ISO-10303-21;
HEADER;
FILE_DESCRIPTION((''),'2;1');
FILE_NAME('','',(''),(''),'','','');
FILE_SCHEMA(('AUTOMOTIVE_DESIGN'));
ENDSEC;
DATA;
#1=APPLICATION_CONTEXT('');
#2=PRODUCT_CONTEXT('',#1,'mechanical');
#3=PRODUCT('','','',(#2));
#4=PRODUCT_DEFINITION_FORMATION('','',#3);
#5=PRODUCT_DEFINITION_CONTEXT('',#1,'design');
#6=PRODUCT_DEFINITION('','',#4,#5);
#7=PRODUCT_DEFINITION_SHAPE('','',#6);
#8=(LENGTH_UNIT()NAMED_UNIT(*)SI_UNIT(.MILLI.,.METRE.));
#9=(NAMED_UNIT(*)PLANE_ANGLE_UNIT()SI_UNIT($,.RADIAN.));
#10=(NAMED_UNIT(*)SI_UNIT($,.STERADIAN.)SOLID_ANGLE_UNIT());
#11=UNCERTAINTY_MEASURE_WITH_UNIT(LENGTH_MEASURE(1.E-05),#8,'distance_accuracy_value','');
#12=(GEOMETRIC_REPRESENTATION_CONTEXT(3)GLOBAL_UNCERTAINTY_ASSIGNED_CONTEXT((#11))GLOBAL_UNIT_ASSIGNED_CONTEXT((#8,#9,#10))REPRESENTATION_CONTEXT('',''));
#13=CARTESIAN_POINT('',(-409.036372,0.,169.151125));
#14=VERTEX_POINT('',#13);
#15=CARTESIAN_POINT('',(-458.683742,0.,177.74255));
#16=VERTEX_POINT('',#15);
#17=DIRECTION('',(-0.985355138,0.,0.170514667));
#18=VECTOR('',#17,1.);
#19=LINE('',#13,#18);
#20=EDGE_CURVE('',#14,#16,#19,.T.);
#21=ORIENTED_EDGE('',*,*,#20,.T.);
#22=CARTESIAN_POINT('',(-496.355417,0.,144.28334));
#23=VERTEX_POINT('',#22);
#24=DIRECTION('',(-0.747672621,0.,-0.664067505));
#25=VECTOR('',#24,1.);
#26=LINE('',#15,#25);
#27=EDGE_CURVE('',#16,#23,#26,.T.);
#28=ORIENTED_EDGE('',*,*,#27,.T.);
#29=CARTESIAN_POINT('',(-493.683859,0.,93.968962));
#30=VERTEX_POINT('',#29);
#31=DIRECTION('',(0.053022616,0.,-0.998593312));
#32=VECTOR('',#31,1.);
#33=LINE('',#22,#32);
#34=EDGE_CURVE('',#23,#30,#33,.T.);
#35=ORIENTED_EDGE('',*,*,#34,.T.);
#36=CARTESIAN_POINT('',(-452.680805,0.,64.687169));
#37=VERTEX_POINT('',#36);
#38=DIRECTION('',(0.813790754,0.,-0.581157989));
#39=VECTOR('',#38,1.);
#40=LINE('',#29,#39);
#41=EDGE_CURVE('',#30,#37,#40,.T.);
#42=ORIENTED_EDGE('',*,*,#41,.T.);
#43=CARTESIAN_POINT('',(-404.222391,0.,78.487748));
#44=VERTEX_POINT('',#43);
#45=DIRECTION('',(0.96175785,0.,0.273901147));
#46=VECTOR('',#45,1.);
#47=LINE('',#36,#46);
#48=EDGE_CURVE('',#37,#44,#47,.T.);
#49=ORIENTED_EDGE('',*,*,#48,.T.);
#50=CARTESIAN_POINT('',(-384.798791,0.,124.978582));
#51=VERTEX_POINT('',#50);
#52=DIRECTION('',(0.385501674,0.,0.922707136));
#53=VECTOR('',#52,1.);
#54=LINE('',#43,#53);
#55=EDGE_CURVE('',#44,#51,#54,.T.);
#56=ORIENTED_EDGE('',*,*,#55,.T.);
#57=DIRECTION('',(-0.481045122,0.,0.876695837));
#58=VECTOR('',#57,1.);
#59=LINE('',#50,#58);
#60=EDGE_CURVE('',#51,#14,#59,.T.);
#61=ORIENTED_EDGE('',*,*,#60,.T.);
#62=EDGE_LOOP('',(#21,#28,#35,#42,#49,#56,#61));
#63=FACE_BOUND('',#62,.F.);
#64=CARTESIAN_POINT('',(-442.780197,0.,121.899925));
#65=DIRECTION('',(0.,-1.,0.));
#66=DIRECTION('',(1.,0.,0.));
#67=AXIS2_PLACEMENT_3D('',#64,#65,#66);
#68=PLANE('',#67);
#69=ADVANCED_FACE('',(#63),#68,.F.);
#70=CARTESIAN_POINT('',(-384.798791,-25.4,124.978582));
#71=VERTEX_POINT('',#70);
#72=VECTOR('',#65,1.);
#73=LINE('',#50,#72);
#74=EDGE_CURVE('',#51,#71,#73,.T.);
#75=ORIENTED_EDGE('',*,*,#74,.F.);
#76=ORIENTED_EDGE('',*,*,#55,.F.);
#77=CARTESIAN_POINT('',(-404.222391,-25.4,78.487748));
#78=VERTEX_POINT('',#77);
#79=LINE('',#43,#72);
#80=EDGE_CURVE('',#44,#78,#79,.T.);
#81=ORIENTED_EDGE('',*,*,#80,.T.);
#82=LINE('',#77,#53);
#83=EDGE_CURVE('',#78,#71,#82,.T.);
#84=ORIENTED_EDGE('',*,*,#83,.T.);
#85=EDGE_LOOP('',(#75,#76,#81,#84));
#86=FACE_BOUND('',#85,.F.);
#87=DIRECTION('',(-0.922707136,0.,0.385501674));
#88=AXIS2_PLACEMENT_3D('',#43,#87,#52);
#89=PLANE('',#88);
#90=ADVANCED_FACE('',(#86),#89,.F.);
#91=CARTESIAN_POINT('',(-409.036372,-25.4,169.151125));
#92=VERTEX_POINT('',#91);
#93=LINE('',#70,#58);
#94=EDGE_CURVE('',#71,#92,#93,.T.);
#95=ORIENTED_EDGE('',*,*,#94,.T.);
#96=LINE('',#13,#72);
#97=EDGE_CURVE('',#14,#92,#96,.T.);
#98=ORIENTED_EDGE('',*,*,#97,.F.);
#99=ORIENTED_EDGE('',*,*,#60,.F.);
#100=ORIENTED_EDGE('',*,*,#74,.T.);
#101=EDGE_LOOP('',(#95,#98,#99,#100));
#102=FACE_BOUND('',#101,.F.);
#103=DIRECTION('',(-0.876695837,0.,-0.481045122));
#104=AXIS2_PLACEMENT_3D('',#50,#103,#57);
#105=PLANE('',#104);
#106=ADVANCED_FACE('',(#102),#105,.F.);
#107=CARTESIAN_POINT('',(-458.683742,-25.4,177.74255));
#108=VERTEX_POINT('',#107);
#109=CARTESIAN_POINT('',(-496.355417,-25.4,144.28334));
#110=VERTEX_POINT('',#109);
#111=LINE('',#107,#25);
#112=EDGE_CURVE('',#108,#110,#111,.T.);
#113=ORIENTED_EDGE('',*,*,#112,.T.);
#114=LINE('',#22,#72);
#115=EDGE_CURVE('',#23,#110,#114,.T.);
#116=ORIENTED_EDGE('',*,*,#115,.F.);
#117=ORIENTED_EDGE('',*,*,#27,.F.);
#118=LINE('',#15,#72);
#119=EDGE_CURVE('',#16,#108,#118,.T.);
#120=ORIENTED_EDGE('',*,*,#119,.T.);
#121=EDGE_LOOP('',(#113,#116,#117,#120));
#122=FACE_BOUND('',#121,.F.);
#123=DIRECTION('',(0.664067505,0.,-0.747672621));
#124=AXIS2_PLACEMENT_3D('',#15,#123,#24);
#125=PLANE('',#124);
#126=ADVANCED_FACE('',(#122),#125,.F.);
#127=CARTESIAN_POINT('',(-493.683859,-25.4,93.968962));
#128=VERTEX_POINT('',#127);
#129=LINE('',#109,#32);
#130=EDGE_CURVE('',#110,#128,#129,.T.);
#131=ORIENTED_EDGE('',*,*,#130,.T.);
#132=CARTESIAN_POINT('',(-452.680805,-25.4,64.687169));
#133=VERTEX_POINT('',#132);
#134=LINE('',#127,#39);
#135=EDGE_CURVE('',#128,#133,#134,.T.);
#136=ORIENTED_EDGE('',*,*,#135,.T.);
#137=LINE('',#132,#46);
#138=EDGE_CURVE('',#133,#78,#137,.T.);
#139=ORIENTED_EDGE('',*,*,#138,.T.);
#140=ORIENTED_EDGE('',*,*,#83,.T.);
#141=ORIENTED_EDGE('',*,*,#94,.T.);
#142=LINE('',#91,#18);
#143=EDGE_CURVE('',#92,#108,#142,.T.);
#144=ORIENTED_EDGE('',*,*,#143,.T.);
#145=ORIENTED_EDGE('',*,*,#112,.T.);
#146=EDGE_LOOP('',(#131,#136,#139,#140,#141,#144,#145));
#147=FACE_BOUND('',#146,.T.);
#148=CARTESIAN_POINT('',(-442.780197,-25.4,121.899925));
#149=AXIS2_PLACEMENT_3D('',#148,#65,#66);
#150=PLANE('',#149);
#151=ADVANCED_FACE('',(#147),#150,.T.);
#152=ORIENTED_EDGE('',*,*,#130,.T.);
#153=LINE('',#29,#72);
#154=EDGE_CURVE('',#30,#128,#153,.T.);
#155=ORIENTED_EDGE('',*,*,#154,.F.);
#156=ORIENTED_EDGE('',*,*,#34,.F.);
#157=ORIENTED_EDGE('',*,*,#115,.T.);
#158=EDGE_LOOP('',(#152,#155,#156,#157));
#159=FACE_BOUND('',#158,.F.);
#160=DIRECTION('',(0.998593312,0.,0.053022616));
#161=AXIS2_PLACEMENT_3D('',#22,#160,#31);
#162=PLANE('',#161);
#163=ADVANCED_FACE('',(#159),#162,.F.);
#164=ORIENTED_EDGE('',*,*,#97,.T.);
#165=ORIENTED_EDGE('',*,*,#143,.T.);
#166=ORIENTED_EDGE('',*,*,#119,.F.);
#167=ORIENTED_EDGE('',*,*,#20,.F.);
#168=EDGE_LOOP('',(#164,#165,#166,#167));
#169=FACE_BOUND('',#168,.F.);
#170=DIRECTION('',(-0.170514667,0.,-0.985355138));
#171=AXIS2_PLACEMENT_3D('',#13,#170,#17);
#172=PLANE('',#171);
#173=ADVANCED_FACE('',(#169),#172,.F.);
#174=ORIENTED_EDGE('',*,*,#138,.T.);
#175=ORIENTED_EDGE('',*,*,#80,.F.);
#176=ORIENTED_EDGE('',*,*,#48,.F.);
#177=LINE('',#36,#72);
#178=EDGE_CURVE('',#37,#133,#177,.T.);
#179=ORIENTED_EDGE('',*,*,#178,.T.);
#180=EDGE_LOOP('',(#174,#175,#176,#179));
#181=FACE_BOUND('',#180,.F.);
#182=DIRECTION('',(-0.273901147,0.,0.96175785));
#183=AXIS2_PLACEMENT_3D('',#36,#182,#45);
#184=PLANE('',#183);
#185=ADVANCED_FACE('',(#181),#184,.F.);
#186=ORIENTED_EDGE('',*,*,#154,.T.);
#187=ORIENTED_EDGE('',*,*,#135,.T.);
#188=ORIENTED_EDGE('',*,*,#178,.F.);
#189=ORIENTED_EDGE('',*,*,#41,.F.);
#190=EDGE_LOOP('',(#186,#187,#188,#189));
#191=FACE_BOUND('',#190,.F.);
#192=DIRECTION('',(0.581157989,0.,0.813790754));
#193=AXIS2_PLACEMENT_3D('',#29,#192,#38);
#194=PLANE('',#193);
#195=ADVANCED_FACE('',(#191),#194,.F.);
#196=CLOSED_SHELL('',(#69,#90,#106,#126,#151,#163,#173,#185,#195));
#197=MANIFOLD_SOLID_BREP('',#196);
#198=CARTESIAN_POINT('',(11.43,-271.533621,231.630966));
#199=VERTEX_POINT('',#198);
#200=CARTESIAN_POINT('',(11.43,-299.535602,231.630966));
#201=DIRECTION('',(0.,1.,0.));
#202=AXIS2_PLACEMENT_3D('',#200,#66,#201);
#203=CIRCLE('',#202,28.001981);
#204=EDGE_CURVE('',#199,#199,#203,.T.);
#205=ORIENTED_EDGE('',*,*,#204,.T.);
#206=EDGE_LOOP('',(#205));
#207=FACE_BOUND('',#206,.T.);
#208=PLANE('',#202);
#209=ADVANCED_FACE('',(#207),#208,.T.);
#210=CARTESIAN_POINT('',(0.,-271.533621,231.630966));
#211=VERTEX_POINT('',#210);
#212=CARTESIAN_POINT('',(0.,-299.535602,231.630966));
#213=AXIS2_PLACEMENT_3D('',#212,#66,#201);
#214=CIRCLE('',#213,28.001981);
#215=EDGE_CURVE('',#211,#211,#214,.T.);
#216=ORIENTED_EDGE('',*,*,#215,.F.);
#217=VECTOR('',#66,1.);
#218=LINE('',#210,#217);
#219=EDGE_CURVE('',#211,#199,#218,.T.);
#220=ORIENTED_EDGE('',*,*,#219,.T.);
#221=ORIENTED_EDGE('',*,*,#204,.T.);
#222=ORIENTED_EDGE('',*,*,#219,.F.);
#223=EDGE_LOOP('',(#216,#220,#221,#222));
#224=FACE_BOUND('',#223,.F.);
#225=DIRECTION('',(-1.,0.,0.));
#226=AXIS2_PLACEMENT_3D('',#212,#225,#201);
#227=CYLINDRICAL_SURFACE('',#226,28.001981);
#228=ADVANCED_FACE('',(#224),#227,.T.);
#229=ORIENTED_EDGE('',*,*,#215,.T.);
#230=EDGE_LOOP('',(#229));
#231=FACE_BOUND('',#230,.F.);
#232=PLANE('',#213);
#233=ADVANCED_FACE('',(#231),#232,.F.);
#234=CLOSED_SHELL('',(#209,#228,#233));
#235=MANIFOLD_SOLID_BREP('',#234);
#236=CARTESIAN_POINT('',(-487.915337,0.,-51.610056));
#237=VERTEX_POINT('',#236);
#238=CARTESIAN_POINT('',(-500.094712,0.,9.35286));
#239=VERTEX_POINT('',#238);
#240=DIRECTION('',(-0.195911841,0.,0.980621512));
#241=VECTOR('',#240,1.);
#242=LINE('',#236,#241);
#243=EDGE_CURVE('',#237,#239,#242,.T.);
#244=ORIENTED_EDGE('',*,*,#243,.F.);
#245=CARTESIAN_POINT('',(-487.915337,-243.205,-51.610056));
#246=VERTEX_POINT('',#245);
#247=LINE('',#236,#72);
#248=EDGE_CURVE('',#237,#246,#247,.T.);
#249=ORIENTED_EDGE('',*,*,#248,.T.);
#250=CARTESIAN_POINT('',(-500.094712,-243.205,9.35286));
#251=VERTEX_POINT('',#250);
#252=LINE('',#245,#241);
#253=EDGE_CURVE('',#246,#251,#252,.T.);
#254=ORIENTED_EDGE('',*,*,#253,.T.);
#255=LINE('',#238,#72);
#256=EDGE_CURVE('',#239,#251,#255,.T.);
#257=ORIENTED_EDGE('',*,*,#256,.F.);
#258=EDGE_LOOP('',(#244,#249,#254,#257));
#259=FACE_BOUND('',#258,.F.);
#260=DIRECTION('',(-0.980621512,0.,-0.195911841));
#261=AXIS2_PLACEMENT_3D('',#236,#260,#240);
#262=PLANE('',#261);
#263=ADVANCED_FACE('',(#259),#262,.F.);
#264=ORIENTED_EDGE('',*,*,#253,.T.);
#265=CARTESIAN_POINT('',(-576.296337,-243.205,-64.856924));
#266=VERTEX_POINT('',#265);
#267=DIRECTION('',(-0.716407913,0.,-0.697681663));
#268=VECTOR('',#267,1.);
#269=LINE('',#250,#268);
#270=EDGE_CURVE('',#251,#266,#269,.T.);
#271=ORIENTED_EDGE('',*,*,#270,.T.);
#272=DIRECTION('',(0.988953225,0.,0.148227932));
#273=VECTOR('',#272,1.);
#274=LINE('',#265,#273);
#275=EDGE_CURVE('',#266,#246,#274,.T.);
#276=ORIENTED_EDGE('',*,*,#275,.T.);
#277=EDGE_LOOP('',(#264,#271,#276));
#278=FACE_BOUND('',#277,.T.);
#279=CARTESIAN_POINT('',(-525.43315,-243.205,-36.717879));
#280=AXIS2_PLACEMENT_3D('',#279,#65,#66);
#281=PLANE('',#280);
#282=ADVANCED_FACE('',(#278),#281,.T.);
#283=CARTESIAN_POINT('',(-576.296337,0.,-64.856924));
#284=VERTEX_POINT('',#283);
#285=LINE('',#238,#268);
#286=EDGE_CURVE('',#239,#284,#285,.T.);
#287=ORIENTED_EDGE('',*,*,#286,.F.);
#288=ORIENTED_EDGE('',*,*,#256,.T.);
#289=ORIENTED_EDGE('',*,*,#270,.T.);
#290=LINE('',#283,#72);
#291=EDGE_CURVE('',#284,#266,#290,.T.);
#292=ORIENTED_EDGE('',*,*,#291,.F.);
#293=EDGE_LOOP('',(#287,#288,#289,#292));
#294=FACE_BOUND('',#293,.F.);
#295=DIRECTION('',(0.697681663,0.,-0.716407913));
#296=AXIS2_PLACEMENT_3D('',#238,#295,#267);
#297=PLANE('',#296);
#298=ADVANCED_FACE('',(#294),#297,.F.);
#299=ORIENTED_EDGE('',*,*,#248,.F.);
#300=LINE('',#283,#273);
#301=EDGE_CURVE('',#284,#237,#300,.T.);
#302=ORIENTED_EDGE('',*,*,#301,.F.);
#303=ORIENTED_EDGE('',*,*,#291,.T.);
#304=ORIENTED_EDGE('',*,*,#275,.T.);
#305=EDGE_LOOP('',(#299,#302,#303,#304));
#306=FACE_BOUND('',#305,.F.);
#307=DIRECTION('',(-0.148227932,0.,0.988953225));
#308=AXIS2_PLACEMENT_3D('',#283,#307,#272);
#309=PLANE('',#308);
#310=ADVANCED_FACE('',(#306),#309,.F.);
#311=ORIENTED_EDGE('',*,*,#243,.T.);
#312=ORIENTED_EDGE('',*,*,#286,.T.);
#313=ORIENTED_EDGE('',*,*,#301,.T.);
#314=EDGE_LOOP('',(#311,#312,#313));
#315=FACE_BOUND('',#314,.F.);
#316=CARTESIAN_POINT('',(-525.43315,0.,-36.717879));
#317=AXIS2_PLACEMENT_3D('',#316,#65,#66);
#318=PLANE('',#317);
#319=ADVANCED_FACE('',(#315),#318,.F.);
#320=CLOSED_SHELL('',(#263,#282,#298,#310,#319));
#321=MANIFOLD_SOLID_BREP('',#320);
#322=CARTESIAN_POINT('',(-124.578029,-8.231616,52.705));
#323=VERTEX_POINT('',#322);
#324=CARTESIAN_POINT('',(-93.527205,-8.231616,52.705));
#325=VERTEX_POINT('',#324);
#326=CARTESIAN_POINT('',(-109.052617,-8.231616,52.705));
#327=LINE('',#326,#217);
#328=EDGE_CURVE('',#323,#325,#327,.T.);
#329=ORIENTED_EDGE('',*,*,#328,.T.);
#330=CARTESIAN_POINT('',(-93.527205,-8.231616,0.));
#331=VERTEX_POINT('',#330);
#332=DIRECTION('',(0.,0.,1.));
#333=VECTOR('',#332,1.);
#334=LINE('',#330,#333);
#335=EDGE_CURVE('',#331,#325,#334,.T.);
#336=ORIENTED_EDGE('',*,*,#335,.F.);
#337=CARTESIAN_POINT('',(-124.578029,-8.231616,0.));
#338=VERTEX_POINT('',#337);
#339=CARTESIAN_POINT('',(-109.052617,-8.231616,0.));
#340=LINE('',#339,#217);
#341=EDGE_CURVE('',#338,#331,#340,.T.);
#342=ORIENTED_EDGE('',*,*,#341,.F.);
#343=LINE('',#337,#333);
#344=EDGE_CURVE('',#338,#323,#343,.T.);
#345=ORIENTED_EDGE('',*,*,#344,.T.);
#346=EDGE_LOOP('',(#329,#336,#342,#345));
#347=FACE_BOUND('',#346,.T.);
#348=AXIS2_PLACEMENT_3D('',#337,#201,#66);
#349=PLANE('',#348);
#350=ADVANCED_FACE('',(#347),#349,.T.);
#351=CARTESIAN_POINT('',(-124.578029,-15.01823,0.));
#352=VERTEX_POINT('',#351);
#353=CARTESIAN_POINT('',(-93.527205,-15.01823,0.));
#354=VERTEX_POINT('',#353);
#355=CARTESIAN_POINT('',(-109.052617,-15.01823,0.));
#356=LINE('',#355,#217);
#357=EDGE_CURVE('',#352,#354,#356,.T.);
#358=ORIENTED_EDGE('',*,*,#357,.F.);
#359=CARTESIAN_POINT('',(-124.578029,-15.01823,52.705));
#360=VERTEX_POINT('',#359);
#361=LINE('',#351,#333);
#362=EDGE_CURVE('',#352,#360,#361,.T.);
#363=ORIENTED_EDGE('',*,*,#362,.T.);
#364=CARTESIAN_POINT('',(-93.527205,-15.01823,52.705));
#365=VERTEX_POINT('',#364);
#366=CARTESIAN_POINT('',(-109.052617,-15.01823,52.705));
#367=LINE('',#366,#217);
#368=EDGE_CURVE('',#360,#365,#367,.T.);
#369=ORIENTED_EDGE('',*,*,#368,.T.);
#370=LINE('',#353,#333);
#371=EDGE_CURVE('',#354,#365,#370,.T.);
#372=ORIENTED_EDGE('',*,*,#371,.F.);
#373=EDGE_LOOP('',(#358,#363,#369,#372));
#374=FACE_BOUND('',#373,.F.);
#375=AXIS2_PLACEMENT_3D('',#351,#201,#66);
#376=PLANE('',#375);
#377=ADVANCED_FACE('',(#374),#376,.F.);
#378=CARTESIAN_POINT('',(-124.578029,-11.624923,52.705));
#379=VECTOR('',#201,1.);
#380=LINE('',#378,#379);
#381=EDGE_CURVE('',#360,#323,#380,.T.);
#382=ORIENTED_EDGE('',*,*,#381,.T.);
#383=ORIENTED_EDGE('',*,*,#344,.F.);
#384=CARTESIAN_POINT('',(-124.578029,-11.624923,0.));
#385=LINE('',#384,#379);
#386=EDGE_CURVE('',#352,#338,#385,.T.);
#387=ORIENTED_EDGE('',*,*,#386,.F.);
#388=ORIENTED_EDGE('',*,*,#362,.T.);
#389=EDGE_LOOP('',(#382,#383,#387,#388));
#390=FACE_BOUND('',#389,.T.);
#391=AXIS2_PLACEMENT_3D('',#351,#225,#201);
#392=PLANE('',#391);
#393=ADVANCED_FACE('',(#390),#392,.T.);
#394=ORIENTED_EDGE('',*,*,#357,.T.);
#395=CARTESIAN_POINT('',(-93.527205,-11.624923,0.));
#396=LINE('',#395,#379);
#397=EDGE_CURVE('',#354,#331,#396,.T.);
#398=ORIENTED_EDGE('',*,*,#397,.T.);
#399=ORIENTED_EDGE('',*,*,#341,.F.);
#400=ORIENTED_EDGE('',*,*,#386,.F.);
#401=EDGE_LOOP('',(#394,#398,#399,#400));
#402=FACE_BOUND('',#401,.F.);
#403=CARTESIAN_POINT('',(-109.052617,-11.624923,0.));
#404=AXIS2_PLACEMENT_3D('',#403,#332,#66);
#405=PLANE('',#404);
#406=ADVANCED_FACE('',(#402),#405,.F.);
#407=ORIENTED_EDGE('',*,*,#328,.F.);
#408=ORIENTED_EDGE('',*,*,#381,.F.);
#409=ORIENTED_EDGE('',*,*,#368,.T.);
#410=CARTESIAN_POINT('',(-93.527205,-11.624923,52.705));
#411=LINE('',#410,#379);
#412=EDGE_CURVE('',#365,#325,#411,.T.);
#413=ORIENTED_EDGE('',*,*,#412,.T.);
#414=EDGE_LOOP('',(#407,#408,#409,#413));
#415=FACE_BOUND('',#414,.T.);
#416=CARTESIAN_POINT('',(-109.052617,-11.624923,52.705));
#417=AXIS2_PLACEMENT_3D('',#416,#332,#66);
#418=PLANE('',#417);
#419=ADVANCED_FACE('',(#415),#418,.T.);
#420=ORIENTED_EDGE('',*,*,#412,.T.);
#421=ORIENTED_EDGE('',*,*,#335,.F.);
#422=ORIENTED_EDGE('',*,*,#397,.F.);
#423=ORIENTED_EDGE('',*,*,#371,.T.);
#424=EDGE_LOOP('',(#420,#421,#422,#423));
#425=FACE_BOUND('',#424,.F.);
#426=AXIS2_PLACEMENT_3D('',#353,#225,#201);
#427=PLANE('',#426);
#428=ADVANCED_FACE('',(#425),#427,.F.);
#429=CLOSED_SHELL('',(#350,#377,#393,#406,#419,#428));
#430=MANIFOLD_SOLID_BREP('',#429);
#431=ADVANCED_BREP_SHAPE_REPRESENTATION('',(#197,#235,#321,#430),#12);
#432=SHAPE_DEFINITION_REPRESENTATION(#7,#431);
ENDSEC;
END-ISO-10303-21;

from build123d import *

# Parameters (mm, degrees)
F0_W     = 31.050824
F0_H     = 6.786614
F1_DEPTH = 52.705
F2_R     = 28.001981
F3_DEPTH = 11.43
F5_DEPTH = 243.205
F7_DEPTH = 25.4


with BuildPart() as f1:
    # F0 (on Top) → F1 (new body)
    with BuildSketch(Plane.XY):
        with Locations((-109.052617, -11.624923)):
            Rectangle(F0_W, F0_H)
    extrude(amount=F1_DEPTH)


with BuildPart() as f3:
    # F2 (on Right) → F3 (new body)
    with BuildSketch(Plane.YZ):
        with Locations((-299.535602, 231.630966)):
            Circle(F2_R)
    extrude(amount=F3_DEPTH)


with BuildPart() as f5:
    # F4 (on Front) → F5 (new body)
    with BuildSketch(Plane.XZ):
        Polygon((-500.094712, 9.35286), (-576.296337, -64.856924), (-487.915337, -51.610056), align=None)
    extrude(amount=F5_DEPTH)


with BuildPart() as f7:
    # F6 (on Front) → F7 (new body)
    with BuildSketch(Plane.XZ):
        Polygon((-452.680805, 64.687169), (-404.222391, 78.487748), (-384.798791, 124.978582), (-409.036372, 169.151125), (-458.683742, 177.74255), (-496.355417, 144.28334), (-493.683859, 93.968962), align=None)
    extrude(amount=F7_DEPTH)


solid = Compound([f1.part, f3.part, f5.part, f7.part])
